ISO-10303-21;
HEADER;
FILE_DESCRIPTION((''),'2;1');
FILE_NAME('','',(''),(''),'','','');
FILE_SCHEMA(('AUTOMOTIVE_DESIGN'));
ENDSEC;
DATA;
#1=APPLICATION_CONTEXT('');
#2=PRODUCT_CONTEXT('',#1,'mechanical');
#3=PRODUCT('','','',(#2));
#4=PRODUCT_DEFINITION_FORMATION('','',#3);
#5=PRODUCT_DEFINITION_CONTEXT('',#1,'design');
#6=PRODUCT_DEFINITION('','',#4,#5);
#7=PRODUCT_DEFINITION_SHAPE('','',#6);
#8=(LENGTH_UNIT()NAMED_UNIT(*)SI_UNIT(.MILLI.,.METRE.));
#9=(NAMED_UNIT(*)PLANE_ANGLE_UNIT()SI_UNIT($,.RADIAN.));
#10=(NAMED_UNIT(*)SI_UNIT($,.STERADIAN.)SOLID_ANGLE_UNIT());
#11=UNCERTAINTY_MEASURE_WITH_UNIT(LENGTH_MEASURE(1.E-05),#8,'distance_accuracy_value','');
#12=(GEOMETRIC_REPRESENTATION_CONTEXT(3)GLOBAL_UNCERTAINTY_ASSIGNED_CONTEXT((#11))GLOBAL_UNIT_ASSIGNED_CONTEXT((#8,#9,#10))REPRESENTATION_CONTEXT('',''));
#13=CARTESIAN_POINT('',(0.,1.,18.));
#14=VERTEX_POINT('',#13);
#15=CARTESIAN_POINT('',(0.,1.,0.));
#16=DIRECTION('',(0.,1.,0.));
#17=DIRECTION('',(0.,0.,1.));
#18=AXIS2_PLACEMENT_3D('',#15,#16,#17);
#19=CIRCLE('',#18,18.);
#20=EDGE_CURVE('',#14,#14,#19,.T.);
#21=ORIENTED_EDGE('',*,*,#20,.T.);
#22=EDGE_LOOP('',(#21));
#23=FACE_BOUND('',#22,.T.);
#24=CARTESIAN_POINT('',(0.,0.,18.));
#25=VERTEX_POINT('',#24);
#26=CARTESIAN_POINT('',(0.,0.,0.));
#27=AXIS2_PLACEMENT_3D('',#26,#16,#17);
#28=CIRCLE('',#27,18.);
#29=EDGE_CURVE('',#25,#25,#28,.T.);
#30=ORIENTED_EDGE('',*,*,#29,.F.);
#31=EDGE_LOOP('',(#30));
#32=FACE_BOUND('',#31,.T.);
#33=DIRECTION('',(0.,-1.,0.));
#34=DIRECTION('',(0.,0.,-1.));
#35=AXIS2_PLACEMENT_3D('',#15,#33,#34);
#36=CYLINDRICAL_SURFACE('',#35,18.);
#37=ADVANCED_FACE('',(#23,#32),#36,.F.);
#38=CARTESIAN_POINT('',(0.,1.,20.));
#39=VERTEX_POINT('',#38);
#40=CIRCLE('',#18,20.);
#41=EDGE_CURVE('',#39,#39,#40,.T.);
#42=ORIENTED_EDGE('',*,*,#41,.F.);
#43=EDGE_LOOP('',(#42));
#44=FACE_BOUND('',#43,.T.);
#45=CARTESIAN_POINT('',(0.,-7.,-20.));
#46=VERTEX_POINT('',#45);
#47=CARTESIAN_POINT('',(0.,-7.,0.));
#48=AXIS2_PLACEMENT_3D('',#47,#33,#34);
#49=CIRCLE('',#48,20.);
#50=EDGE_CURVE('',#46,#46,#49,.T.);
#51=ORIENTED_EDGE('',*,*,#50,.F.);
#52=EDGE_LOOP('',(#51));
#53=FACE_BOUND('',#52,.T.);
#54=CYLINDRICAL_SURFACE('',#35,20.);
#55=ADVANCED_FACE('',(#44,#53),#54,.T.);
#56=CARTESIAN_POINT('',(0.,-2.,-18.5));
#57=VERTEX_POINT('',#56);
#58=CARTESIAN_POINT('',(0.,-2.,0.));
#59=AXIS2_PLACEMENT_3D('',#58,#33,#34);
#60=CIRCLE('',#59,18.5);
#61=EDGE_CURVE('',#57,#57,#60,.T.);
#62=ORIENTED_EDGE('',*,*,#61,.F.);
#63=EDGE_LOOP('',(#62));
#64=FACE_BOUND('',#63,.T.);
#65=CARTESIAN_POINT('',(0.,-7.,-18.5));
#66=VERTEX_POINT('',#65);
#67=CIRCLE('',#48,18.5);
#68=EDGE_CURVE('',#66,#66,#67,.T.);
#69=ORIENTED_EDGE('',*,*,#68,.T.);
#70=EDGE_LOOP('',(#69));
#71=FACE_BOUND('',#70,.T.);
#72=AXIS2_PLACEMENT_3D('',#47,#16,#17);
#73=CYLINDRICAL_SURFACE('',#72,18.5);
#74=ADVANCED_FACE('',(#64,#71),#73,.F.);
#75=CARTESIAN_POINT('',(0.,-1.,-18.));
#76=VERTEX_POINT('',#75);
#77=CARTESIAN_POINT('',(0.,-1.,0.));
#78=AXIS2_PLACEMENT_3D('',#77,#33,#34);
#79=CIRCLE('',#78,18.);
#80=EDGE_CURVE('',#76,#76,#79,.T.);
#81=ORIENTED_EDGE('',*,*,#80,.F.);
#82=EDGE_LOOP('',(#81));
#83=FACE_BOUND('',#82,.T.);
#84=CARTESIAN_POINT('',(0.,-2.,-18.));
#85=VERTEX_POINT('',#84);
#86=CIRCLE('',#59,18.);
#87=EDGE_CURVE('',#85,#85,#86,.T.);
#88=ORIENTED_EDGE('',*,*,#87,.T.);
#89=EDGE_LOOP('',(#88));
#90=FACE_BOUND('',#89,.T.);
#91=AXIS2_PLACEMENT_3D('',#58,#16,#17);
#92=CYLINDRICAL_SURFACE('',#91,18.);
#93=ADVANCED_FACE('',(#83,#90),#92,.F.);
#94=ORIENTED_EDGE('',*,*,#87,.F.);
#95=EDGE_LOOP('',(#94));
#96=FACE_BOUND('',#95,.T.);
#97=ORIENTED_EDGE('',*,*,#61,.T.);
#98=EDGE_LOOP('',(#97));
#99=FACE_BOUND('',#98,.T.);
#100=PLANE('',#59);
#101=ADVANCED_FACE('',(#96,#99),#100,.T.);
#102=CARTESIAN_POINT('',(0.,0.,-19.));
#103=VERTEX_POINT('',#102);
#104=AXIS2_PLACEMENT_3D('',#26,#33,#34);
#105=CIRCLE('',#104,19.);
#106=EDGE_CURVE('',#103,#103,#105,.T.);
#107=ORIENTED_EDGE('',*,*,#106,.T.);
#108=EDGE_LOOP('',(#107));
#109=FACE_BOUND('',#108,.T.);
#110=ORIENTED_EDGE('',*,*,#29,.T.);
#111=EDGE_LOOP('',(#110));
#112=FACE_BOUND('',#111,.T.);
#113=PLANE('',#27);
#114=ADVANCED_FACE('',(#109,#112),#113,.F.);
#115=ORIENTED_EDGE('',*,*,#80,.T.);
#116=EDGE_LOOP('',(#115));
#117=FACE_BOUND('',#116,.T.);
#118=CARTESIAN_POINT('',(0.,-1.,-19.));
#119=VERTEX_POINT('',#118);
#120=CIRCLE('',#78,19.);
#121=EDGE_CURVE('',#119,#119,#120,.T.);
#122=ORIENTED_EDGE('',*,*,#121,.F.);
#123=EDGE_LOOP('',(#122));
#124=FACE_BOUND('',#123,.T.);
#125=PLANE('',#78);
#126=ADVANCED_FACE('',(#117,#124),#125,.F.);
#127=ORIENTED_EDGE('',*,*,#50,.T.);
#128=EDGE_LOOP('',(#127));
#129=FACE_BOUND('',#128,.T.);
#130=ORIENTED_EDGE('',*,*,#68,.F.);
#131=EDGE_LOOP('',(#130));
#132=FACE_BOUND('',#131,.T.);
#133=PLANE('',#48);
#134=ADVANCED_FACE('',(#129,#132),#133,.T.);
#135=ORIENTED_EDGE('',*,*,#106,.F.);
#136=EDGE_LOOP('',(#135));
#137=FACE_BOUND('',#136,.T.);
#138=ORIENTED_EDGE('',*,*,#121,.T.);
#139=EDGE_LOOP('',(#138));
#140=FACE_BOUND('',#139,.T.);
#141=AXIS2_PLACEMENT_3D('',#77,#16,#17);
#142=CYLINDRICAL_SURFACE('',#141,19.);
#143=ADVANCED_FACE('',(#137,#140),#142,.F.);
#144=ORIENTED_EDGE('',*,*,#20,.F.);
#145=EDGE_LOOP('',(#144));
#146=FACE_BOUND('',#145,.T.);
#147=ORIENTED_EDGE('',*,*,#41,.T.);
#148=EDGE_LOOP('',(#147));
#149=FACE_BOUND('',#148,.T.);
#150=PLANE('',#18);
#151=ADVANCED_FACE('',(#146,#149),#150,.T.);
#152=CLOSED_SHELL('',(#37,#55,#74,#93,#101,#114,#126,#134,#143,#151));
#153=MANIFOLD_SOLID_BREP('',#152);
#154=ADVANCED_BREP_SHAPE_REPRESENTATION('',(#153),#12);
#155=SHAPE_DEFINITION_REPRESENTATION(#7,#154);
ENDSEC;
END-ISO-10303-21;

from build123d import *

# Parameters (mm, degrees)
SKETCH1_R           = 20
SKETCH1_R_2         = 18
BOSS_EXTRUDE1_DEPTH = 1
BOSS_EXTRUDE2_START = 1
SKETCH2_R           = 20
SKETCH2_R_2         = 19
BOSS_EXTRUDE2_DEPTH = 1
BOSS_EXTRUDE3_START = 1
SKETCH3_R           = 20
SKETCH3_R_2         = 18
BOSS_EXTRUDE3_DEPTH = 1
BOSS_EXTRUDE4_START = 5
SKETCH4_R           = 20
SKETCH4_R_2         = 18.5
BOSS_EXTRUDE4_DEPTH = 5


with BuildPart() as part:
    # Sketch1 → Boss-Extrude1 (new body)
    with BuildSketch(Plane(origin=(0, 0, 0), x_dir=(1, 0, 0), z_dir=(0, 1, 0))):
        with Locations(Location((0, 0, 0), (0, 0, 270))):
            Circle(SKETCH1_R)
        with Locations(Location((0, 0, 0), (0, 0, 270))):
            Circle(SKETCH1_R_2, mode=Mode.SUBTRACT)
    extrude(amount=BOSS_EXTRUDE1_DEPTH)

    # Sketch2 → Boss-Extrude2 (add)
    with BuildSketch(Plane.XZ.offset(BOSS_EXTRUDE2_START)):
        with Locations(Location((0, 0, 0), (0, 0, 270))):
            Circle(SKETCH2_R)
        with Locations(Location((0, 0, 0), (0, 0, 270))):
            Circle(SKETCH2_R_2, mode=Mode.SUBTRACT)
    extrude(amount=-BOSS_EXTRUDE2_DEPTH)

    # Sketch3 → Boss-Extrude3 (add)
    with BuildSketch(Plane.XZ.offset(1).offset(BOSS_EXTRUDE3_START)):
        with Locations(Location((0, 0, 0), (0, 0, 270))):
            Circle(SKETCH3_R)
        with Locations(Location((0, 0, 0), (0, 0, 90))):
            Circle(SKETCH3_R_2, mode=Mode.SUBTRACT)
    extrude(amount=-BOSS_EXTRUDE3_DEPTH)

    # Sketch4 → Boss-Extrude4 (add)
    with BuildSketch(Plane.XZ.offset(2).offset(BOSS_EXTRUDE4_START)):
        with Locations(Location((0, 0, 0), (0, 0, 270))):
            Circle(SKETCH4_R)
        with Locations(Location((0, 0, 0), (0, 0, 270))):
            Circle(SKETCH4_R_2, mode=Mode.SUBTRACT)
    extrude(amount=-BOSS_EXTRUDE4_DEPTH)


solid = part.part
